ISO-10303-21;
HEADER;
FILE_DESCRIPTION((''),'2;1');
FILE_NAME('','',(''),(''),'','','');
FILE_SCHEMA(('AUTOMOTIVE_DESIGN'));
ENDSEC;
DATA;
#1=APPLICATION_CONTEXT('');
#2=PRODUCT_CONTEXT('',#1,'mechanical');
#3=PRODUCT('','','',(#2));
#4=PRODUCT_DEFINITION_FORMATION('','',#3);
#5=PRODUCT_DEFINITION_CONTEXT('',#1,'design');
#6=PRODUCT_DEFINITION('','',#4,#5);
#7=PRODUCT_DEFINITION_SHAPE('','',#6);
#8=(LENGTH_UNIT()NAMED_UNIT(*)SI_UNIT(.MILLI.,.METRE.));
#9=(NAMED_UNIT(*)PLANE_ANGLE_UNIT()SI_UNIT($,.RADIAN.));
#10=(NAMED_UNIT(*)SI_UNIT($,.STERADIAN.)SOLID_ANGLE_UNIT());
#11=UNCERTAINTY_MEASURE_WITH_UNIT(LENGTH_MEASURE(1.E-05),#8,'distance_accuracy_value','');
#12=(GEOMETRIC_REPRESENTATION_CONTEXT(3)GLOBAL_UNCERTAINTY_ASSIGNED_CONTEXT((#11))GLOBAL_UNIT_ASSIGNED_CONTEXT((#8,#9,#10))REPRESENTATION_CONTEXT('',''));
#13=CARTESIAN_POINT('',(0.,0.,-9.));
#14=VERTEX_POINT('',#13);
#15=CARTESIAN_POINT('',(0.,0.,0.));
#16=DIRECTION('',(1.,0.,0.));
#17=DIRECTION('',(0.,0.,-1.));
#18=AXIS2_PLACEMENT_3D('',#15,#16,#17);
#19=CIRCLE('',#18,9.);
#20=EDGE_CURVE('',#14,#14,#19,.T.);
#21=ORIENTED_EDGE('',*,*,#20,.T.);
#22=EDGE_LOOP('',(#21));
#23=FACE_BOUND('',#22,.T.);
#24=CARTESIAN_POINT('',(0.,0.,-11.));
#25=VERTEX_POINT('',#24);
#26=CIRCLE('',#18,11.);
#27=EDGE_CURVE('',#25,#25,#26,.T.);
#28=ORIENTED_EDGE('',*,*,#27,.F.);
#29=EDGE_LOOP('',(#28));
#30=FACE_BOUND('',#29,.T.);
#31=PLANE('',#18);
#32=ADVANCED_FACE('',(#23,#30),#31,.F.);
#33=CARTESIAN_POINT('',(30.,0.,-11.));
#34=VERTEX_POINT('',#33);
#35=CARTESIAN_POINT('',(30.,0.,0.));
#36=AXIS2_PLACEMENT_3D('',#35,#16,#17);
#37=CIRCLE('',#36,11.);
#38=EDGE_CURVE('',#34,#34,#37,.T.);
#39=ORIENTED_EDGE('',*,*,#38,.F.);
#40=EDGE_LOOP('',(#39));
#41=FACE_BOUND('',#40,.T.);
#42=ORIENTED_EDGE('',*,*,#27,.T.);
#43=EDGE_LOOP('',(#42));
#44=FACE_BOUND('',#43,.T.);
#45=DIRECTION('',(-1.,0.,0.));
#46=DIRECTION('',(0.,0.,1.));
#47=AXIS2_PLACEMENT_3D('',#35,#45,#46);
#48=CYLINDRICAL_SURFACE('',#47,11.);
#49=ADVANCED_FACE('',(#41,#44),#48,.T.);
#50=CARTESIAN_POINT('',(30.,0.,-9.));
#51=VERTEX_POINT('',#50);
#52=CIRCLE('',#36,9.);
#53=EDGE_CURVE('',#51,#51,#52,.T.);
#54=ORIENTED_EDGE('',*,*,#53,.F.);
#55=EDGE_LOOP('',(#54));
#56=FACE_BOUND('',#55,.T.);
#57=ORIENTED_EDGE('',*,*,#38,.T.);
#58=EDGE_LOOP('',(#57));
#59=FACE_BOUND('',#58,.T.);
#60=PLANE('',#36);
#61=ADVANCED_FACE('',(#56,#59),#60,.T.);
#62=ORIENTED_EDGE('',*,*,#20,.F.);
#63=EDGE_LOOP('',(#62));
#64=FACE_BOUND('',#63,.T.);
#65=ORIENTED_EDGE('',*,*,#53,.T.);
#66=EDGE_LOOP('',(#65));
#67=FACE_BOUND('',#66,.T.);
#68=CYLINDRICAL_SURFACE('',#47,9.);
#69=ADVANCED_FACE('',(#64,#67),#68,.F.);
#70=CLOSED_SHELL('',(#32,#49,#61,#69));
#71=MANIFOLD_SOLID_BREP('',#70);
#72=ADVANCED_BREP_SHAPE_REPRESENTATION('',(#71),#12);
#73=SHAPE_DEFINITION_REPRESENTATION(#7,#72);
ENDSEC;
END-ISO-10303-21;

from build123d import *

# Parameters (mm, degrees)
SKETCH1_R      = 11
SKETCH1_R_2    = 9
EXTRUDE1_DEPTH = 30


with BuildPart() as part:
    # Sketch1 → Extrude1 (new body)
    with BuildSketch(Plane(origin=(0, 0, 0), x_dir=(0, 0, -1), z_dir=(1, 0, 0))):
        Circle(SKETCH1_R)
        Circle(SKETCH1_R_2, mode=Mode.SUBTRACT)
    extrude(amount=EXTRUDE1_DEPTH)


solid = part.part
